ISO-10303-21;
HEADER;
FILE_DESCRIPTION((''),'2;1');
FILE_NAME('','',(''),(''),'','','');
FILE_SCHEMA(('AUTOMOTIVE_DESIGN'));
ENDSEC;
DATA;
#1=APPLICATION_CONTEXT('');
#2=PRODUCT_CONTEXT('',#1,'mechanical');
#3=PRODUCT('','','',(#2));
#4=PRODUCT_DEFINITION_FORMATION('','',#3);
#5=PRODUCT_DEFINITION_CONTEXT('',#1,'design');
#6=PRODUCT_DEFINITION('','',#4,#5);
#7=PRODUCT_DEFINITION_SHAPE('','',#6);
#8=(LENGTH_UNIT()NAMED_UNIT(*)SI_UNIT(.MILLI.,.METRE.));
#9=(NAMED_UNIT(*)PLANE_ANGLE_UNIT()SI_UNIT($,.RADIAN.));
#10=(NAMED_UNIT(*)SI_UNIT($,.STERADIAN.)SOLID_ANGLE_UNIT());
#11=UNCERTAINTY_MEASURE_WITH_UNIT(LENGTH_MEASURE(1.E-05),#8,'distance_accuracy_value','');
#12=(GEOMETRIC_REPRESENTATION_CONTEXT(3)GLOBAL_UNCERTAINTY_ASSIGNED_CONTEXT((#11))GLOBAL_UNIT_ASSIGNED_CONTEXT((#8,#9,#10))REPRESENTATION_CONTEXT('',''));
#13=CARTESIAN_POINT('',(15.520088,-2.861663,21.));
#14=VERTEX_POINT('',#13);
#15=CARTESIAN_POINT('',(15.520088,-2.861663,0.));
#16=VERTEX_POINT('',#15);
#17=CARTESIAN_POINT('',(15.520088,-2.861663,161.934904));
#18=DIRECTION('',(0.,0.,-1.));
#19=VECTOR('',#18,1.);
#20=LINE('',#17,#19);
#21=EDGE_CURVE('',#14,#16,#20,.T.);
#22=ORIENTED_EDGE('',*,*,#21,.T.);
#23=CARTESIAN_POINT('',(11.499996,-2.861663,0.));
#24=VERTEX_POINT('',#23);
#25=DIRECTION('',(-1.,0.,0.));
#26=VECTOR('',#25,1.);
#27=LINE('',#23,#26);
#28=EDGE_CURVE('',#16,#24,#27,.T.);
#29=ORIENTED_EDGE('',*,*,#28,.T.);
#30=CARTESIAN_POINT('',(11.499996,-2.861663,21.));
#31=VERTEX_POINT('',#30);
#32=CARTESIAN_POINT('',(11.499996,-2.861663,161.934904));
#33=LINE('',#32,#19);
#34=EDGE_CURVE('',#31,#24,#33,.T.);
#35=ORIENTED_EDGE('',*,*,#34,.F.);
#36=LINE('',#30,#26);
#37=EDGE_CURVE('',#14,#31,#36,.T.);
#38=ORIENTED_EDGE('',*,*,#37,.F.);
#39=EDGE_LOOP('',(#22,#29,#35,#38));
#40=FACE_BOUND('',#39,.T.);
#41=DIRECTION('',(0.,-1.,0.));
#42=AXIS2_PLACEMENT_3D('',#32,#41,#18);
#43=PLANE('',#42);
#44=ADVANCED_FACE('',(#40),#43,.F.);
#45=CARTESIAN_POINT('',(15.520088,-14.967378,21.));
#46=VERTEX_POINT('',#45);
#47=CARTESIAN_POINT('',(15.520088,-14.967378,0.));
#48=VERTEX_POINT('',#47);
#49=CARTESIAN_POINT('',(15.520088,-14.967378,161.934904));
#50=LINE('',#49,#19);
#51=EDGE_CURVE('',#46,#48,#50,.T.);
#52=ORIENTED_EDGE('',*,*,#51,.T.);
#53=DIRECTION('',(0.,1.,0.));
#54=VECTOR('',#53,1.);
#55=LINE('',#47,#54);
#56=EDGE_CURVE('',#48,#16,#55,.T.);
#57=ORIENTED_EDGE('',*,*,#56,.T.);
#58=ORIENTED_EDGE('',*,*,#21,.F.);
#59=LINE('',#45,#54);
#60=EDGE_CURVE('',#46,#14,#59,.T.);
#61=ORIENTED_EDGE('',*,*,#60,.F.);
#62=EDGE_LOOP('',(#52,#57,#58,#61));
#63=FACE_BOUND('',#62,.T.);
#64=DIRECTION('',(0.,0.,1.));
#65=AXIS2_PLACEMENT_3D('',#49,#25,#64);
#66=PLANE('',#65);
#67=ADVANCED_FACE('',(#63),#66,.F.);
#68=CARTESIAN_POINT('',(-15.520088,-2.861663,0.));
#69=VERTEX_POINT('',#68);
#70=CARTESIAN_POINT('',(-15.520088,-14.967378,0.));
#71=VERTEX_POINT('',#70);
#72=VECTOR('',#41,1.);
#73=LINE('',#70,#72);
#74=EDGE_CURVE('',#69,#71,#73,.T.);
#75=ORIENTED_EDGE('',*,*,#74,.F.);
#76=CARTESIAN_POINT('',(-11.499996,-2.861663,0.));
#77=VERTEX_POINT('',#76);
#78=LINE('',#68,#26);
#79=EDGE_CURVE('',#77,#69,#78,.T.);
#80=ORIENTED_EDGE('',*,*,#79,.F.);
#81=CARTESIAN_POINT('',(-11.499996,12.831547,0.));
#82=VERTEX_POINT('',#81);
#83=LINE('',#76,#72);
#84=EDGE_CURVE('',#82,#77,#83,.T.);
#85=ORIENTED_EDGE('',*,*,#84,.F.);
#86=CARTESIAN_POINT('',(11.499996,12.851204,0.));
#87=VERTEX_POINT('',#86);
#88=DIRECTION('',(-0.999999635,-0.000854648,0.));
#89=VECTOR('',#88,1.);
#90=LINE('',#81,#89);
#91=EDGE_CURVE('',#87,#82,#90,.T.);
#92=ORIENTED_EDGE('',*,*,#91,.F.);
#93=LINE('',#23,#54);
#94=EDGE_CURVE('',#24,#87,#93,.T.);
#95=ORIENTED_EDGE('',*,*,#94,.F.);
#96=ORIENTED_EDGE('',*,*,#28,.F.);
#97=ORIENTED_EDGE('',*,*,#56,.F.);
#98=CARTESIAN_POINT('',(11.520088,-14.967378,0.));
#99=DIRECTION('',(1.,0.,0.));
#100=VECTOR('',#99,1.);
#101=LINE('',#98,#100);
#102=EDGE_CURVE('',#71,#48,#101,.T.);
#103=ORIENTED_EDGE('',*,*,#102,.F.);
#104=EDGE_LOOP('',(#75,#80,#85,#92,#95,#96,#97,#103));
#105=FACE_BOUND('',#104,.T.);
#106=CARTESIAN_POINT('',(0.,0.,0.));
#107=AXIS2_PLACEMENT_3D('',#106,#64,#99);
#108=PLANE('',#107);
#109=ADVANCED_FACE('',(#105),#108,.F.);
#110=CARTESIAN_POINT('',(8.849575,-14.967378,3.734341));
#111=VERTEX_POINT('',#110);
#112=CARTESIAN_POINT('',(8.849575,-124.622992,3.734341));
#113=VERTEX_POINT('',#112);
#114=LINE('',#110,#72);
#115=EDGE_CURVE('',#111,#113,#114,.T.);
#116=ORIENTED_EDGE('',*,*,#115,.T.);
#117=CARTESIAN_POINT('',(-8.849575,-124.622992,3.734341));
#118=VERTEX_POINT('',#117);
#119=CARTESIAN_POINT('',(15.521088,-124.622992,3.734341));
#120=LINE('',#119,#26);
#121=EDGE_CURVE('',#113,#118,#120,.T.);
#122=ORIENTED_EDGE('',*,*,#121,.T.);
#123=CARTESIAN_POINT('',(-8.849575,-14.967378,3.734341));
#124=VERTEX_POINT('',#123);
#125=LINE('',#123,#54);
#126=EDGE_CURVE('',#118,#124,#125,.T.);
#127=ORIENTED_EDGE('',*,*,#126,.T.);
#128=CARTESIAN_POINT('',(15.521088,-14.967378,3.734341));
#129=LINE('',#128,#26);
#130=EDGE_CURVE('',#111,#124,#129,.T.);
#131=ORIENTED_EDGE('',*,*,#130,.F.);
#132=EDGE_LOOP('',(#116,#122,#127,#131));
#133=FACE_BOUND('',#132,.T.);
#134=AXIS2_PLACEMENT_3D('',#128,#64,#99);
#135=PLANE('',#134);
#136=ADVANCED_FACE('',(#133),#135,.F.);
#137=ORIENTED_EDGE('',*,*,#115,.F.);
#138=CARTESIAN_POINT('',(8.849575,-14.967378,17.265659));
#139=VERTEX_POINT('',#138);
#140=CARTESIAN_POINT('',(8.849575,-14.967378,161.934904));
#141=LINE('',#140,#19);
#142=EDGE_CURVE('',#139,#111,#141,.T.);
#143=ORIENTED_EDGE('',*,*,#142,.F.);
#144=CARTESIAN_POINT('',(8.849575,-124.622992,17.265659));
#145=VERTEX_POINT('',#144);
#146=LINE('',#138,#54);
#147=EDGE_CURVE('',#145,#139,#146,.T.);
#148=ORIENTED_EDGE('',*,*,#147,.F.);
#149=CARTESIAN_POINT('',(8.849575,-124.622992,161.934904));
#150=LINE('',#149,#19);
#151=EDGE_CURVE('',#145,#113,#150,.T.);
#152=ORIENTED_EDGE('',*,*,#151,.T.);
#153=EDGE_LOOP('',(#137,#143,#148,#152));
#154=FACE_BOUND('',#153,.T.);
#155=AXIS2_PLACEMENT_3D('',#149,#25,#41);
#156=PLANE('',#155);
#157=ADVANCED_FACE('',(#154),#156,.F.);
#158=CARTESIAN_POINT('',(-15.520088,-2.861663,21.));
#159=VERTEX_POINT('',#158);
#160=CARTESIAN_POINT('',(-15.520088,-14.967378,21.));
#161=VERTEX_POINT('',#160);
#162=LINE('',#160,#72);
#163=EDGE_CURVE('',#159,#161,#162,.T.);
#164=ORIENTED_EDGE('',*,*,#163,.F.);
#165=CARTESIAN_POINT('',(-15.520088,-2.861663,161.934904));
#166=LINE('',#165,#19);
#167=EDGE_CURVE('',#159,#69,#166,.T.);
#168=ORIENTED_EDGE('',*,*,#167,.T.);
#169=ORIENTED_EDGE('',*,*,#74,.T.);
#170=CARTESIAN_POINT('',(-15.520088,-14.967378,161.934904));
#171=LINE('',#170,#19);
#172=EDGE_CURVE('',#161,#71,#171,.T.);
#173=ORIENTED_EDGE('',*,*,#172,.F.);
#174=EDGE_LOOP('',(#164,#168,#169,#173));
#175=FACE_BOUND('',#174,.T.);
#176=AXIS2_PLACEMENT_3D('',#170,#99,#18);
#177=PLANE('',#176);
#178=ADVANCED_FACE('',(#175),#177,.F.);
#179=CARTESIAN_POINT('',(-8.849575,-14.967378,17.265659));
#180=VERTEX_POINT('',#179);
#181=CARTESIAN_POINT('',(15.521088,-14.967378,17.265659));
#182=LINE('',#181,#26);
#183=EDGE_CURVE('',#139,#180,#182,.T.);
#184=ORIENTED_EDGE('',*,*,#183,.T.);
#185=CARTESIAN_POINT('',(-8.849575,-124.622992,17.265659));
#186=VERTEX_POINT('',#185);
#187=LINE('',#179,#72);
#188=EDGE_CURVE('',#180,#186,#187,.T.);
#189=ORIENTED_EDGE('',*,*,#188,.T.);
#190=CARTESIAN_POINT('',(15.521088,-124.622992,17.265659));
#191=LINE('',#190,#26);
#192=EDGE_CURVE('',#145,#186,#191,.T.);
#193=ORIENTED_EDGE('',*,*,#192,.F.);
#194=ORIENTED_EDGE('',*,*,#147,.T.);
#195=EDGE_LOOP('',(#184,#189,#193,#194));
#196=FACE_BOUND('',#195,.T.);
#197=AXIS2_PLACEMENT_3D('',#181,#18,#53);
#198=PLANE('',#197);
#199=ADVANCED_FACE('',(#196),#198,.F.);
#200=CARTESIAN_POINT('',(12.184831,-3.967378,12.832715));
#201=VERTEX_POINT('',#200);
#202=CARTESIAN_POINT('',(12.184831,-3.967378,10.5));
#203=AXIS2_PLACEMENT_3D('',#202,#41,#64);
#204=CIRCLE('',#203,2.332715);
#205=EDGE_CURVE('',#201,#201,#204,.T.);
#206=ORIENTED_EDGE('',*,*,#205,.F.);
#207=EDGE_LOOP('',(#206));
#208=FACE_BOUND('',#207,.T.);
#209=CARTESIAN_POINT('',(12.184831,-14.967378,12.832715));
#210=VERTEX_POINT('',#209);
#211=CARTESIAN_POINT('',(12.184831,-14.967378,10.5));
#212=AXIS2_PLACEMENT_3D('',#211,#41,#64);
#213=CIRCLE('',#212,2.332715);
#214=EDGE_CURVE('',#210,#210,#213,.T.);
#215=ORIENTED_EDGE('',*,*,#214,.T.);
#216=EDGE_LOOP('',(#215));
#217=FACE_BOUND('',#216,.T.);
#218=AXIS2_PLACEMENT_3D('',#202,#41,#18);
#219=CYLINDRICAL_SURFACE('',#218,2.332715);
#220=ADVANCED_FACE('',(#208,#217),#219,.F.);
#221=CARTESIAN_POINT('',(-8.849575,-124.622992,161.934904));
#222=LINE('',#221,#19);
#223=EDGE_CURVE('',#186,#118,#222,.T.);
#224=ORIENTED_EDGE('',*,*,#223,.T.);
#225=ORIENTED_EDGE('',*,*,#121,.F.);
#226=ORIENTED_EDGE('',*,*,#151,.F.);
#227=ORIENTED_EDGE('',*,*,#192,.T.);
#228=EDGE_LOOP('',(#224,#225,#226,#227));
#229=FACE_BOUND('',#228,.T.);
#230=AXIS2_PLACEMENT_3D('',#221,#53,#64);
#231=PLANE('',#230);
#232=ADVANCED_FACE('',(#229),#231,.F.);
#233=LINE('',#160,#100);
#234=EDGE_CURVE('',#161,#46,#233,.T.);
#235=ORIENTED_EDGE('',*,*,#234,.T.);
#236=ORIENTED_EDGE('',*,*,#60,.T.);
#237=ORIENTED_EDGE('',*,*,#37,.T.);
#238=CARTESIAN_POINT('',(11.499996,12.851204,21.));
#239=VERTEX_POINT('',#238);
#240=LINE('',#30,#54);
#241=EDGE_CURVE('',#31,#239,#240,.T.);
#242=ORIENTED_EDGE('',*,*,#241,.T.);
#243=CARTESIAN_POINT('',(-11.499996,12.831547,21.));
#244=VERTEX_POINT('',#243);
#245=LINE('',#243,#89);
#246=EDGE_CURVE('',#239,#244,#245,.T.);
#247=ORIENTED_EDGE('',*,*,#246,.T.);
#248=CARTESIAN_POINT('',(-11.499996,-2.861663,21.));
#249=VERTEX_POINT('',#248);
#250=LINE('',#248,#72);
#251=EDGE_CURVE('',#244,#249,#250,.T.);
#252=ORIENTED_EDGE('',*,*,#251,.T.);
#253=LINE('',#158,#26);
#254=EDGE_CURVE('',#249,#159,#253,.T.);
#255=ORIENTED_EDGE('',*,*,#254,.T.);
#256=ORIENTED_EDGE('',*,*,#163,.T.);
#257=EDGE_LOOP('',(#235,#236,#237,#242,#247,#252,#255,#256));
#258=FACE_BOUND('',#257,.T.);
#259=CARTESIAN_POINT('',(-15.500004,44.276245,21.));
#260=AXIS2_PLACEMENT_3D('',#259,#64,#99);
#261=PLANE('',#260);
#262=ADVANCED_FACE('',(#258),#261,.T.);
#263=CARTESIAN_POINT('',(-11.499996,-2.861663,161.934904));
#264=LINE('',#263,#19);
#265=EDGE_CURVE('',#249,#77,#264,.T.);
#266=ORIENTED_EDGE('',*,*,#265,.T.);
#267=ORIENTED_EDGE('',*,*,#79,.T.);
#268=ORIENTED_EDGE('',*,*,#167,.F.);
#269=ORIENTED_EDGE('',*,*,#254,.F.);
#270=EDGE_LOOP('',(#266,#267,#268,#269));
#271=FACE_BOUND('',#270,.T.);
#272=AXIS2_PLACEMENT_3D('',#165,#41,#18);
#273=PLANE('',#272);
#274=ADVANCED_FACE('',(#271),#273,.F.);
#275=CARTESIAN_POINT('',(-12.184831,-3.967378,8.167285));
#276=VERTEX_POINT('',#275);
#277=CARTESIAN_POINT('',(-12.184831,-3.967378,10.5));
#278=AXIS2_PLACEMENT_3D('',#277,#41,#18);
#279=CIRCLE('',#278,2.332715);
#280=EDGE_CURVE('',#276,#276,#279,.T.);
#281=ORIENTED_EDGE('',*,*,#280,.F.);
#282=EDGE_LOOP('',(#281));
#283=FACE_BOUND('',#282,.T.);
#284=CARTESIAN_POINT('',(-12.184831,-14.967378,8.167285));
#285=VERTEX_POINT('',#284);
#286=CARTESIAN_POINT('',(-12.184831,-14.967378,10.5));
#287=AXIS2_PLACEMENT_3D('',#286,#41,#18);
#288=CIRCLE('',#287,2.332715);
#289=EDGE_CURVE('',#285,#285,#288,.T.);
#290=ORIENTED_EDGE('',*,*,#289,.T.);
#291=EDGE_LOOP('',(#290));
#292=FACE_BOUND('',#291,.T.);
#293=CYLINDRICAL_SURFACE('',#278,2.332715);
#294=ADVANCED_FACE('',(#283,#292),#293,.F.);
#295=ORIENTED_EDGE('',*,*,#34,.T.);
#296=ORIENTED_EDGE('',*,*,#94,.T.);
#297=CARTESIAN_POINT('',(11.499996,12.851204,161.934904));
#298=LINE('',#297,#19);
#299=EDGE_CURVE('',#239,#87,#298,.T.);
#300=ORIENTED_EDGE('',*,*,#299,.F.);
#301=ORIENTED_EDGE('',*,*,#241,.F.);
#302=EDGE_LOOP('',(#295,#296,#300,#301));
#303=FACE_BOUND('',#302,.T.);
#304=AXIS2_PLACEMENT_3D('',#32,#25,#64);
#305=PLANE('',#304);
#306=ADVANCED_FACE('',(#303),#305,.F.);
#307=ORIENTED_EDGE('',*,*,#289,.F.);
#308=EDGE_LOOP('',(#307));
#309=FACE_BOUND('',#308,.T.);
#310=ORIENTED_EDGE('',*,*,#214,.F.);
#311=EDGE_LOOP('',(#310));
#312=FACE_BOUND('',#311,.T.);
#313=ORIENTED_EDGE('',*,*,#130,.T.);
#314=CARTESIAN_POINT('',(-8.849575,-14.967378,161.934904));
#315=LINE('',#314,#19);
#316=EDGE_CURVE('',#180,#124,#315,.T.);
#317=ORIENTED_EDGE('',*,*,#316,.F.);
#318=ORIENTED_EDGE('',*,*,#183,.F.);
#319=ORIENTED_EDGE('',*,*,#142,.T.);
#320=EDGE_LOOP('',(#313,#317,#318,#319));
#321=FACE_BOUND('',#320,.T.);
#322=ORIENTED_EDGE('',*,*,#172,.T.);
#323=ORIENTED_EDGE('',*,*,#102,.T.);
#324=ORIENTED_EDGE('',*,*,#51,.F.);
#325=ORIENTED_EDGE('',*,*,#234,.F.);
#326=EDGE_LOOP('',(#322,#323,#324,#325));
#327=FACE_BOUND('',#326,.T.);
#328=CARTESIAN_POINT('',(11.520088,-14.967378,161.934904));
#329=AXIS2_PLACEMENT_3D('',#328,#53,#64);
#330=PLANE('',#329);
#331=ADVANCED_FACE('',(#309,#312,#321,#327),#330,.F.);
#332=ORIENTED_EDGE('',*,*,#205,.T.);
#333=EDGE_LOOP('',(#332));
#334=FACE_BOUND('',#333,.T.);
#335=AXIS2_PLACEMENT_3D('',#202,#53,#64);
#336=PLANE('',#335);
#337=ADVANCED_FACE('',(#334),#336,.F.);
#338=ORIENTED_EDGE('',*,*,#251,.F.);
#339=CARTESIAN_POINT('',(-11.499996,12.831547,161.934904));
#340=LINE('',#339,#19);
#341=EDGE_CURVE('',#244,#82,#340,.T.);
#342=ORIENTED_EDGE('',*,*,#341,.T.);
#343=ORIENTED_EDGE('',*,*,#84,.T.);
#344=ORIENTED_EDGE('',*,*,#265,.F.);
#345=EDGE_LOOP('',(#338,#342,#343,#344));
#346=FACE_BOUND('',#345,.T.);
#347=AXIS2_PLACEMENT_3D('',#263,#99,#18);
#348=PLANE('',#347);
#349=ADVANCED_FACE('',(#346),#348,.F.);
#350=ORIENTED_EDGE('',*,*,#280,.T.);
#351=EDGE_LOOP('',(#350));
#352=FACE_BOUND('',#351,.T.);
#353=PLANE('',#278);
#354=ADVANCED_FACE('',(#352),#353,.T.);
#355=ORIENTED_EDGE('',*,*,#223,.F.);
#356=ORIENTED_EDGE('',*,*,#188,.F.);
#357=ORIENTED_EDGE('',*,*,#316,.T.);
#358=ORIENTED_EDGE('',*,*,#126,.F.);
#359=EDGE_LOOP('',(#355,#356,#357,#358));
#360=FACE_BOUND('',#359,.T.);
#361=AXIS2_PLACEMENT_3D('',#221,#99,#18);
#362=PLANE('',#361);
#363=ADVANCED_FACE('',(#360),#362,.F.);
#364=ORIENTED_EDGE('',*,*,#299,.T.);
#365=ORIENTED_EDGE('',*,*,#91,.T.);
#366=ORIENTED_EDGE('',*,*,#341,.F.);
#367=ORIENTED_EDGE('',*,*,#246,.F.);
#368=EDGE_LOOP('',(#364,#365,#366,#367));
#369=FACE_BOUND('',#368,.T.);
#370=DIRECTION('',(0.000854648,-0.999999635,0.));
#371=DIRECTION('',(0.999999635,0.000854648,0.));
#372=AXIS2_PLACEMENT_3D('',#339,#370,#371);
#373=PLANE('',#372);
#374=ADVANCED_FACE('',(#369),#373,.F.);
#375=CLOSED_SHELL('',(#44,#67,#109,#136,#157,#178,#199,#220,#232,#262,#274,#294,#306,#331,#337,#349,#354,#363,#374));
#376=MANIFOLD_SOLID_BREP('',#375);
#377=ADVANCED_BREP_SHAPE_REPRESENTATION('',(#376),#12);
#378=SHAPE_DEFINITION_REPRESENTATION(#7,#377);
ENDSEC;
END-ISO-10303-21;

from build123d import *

# Parameters (mm, degrees)
BOSS_EXTRUDE1_DEPTH = 21
SKETCH2_R           = 2.332714882
CUT_EXTRUDE1_DEPTH  = 11
CUT_EXTRUDE2_REACH  = 26.37
SKETCH3_W           = 3.734340962
SKETCH3_H           = 109.655613693


with BuildPart() as part:
    # Sketch1 → Boss-Extrude1 (new body)
    with BuildSketch(Plane.XY):
        Polygon((11.4999958, -2.86166347), (11.4999958, 12.851204158), (-11.4999958, 12.831547243), (-11.4999958, -2.86166347), (-15.520087877, -2.86166347), (-15.520087877, -14.967378119), (-11.520087877, -14.967378119), (-8.849574745, -14.967378119), (-8.849574745, -124.622991812), (8.849574745, -124.622991812), (8.849574745, -14.967378119), (11.520087877, -14.967378119), (15.520087877, -14.967378119), (15.520087877, -2.86166347), align=None)
    extrude(amount=BOSS_EXTRUDE1_DEPTH)

    # Sketch2 → Cut-Extrude1 (cut)
    with BuildSketch(Plane.XZ.offset(14.967378119)):
        with Locations((-12.184831311, 10.5)):
            Circle(SKETCH2_R)
        with Locations((12.184831311, 10.5)):
            Circle(SKETCH2_R)
    extrude(amount=-CUT_EXTRUDE1_DEPTH, mode=Mode.SUBTRACT)

    # Sketch3 → Cut-Extrude2 (cut, up to next)
    with BuildSketch(Plane.ZY.offset(8.849574745), mode=Mode.PRIVATE) as cut_extrude2_sk1:
        with Locations((19.132829519, -69.795184965)):
            Rectangle(SKETCH3_W, SKETCH3_H)
    cut_extrude2_tool1 = extrude(cut_extrude2_sk1.sketch, amount=-CUT_EXTRUDE2_REACH, mode=Mode.PRIVATE) & part.part
    add(cut_extrude2_tool1.solids().sort_by_distance((-8.849575, -69.795185, 19.13283))[0], mode=Mode.SUBTRACT)
    # Sketch3 → Cut-Extrude2 (cut, up to next)
    with BuildSketch(Plane.ZY.offset(8.849574745), mode=Mode.PRIVATE) as cut_extrude2_sk2:
        with Locations((1.867170481, -69.795184965)):
            Rectangle(SKETCH3_W, SKETCH3_H)
    cut_extrude2_tool2 = extrude(cut_extrude2_sk2.sketch, amount=-CUT_EXTRUDE2_REACH, mode=Mode.PRIVATE) & part.part
    add(cut_extrude2_tool2.solids().sort_by_distance((-8.849575, -69.795185, 1.86717))[0], mode=Mode.SUBTRACT)


solid = part.part
